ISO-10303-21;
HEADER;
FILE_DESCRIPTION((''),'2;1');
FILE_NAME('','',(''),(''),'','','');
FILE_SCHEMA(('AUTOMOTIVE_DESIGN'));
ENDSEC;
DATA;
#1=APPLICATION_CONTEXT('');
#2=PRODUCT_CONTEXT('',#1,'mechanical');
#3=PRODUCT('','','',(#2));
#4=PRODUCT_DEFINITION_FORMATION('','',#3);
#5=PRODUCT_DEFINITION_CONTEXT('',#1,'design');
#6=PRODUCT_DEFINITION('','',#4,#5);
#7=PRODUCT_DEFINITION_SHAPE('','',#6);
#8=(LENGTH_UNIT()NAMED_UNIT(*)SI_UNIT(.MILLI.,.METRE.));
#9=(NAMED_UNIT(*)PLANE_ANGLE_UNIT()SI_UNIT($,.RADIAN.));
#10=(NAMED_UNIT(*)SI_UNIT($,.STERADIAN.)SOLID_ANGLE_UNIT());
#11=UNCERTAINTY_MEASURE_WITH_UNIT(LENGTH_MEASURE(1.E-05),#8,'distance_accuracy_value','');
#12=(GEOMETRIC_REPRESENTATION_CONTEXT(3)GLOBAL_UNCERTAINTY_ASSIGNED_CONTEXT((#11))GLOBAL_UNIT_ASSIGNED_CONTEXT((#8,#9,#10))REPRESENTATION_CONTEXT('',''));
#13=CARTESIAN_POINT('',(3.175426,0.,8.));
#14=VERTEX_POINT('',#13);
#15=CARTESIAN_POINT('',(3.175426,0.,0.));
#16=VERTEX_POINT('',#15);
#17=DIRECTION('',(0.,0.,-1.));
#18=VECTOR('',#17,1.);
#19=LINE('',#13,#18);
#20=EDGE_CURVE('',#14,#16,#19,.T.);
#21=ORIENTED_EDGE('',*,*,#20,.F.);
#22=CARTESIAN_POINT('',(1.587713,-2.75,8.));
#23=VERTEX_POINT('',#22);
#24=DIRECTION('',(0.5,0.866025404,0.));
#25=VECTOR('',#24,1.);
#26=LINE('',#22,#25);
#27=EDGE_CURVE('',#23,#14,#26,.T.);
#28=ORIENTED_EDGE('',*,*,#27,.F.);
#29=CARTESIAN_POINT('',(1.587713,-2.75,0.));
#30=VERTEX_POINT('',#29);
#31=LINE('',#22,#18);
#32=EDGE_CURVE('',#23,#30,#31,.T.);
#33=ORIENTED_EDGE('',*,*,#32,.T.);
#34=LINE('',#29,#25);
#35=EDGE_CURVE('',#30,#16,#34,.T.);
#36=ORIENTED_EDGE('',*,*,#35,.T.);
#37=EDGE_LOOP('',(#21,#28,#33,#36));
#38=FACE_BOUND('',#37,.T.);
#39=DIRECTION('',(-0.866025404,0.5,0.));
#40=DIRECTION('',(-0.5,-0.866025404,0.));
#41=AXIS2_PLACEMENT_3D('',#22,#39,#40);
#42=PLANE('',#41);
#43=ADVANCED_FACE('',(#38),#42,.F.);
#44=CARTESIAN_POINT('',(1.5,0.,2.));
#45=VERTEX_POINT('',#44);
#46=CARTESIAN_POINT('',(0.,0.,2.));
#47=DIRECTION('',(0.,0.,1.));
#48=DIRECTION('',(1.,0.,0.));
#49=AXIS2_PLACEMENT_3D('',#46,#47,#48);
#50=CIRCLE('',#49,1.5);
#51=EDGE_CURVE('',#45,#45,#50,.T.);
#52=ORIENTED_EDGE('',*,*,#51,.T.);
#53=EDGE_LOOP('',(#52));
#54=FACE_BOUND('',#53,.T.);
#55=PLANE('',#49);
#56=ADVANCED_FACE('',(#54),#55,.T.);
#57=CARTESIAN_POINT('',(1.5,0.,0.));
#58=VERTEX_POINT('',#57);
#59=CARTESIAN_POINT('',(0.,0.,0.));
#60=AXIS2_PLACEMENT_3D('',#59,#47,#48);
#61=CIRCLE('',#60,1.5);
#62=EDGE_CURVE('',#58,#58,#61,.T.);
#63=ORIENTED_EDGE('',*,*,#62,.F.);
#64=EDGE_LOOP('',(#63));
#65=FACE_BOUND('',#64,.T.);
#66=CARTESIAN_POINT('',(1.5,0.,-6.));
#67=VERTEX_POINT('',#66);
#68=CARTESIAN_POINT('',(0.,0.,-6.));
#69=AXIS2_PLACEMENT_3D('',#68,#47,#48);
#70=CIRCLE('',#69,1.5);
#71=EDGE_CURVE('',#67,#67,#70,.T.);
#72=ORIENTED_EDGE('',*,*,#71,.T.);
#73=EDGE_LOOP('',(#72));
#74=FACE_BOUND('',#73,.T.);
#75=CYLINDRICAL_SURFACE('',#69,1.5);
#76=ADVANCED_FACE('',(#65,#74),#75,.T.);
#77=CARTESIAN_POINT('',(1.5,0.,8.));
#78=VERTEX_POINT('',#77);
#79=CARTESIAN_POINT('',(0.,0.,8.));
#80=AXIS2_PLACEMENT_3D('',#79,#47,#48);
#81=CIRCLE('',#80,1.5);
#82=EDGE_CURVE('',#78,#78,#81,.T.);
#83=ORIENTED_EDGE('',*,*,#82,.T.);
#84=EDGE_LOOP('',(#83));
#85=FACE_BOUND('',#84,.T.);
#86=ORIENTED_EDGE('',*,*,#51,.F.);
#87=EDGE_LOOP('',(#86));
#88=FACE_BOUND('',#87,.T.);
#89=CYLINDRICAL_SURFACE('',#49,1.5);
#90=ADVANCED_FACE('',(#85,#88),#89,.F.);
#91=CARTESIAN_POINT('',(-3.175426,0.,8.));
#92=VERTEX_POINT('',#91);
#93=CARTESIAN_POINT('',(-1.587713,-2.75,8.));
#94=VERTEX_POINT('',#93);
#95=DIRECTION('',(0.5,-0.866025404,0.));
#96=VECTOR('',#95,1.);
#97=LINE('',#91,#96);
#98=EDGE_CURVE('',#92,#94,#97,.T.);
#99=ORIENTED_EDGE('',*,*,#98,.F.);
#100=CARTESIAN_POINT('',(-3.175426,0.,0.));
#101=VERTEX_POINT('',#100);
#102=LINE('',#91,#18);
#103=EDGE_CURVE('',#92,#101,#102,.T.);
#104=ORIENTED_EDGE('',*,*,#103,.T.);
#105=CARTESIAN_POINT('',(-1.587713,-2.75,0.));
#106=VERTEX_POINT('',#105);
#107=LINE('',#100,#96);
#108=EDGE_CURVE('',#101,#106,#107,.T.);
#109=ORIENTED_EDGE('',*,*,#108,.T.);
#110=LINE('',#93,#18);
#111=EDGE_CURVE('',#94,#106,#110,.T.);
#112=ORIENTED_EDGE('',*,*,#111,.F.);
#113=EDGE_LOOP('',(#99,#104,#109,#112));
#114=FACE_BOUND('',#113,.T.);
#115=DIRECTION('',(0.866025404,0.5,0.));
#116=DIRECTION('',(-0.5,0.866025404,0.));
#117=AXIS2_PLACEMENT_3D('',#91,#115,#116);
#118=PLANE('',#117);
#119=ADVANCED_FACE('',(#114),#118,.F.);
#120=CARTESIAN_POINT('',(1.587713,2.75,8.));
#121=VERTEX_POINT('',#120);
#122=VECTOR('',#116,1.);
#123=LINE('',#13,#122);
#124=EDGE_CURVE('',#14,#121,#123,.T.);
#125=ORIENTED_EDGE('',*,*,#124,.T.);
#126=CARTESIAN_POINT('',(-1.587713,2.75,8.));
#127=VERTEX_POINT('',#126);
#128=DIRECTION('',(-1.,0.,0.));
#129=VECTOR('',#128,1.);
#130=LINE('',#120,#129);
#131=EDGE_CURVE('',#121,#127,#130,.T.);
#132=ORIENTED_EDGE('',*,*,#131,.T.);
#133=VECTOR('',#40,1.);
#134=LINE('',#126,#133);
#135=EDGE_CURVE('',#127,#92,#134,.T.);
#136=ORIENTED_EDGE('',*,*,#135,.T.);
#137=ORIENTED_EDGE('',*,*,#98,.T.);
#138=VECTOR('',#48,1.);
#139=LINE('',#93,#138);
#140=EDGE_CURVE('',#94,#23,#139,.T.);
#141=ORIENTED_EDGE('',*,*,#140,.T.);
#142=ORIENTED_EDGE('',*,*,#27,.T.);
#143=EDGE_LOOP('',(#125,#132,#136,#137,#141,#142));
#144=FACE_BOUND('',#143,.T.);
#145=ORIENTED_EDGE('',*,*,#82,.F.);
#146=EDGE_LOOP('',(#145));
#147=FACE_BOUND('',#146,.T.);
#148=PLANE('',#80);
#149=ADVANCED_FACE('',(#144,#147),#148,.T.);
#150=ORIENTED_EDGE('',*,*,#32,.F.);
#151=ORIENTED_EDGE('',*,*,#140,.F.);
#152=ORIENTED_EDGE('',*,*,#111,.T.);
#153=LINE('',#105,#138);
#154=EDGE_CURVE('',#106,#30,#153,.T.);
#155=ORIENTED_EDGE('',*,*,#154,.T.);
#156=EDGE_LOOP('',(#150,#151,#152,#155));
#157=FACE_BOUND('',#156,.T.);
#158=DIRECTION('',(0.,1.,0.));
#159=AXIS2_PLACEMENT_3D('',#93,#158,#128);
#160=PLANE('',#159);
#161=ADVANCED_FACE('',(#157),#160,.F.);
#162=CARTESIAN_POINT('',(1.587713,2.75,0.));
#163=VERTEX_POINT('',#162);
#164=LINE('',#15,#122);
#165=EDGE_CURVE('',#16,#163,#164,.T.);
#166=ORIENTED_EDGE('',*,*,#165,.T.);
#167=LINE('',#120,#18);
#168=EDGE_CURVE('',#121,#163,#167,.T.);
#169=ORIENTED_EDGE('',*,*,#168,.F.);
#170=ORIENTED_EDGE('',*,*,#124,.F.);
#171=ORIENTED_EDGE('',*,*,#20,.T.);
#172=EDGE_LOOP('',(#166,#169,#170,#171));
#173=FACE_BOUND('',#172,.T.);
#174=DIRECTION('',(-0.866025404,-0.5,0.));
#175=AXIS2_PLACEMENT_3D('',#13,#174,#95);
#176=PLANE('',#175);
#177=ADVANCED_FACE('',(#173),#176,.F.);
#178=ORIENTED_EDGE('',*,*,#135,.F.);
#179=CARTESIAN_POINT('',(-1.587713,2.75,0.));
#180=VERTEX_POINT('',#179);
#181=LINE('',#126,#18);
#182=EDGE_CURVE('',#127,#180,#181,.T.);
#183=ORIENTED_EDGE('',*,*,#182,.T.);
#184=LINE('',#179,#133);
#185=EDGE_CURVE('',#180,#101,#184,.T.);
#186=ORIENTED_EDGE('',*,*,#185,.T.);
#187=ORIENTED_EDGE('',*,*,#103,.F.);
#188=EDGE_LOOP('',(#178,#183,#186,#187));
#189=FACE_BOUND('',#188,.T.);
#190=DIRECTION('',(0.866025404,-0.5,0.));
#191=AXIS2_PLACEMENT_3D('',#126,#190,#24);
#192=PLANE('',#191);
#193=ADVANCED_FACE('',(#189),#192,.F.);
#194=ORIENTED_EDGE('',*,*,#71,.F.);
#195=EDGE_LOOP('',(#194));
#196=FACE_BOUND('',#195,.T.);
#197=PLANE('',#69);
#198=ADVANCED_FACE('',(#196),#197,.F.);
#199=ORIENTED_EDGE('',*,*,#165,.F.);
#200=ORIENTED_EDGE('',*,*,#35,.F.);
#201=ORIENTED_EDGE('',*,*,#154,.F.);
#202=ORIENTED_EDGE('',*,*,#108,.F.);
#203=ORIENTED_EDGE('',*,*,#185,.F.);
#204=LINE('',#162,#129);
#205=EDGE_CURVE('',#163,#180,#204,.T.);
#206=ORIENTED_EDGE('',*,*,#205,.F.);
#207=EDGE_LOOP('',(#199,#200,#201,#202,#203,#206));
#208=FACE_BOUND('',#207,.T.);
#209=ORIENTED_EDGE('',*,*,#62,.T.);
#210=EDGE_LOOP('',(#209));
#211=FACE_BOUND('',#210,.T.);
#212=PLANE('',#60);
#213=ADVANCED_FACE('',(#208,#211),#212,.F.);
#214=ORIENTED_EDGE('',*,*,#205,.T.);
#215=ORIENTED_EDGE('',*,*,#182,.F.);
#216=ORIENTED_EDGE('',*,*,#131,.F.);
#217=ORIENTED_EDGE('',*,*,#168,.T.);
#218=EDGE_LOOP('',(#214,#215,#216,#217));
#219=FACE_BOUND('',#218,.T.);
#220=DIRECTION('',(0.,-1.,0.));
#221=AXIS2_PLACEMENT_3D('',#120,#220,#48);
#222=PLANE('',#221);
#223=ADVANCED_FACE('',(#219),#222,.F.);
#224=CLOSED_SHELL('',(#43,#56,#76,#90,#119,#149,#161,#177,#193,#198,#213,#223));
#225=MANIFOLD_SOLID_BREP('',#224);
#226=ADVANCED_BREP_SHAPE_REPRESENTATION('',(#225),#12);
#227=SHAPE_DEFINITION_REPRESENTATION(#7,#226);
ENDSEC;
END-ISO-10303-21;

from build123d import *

# Parameters (mm, degrees)
BOSS_EXTRUDE1_DEPTH = 8
SKETCH1_3_R         = 1.5
BOSS_EXTRUDE2_DEPTH = 6
CUT_EXTRUDE1_START  = 8
SKETCH1_4_R         = 1.5
CUT_EXTRUDE1_DEPTH  = 6


with BuildPart() as part:
    # Sketch1 → Boss-Extrude1 (new body)
    with BuildSketch(Plane.XY):
        Polygon((1.58771324, -2.75), (3.175426481, 0), (1.58771324, 2.75), (-1.58771324, 2.75), (-3.175426481, 0), (-1.58771324, -2.75), align=None)
    extrude(amount=BOSS_EXTRUDE1_DEPTH)

    # Sketch1<3> → Boss-Extrude2 (add)
    with BuildSketch(Plane.XY):
        Circle(SKETCH1_3_R)
    extrude(amount=-BOSS_EXTRUDE2_DEPTH)

    # Sketch1<4> → Cut-Extrude1 (cut)
    with BuildSketch(Plane.XY.offset(CUT_EXTRUDE1_START)):
        Circle(SKETCH1_4_R)
    extrude(amount=-CUT_EXTRUDE1_DEPTH, mode=Mode.SUBTRACT)


solid = part.part
